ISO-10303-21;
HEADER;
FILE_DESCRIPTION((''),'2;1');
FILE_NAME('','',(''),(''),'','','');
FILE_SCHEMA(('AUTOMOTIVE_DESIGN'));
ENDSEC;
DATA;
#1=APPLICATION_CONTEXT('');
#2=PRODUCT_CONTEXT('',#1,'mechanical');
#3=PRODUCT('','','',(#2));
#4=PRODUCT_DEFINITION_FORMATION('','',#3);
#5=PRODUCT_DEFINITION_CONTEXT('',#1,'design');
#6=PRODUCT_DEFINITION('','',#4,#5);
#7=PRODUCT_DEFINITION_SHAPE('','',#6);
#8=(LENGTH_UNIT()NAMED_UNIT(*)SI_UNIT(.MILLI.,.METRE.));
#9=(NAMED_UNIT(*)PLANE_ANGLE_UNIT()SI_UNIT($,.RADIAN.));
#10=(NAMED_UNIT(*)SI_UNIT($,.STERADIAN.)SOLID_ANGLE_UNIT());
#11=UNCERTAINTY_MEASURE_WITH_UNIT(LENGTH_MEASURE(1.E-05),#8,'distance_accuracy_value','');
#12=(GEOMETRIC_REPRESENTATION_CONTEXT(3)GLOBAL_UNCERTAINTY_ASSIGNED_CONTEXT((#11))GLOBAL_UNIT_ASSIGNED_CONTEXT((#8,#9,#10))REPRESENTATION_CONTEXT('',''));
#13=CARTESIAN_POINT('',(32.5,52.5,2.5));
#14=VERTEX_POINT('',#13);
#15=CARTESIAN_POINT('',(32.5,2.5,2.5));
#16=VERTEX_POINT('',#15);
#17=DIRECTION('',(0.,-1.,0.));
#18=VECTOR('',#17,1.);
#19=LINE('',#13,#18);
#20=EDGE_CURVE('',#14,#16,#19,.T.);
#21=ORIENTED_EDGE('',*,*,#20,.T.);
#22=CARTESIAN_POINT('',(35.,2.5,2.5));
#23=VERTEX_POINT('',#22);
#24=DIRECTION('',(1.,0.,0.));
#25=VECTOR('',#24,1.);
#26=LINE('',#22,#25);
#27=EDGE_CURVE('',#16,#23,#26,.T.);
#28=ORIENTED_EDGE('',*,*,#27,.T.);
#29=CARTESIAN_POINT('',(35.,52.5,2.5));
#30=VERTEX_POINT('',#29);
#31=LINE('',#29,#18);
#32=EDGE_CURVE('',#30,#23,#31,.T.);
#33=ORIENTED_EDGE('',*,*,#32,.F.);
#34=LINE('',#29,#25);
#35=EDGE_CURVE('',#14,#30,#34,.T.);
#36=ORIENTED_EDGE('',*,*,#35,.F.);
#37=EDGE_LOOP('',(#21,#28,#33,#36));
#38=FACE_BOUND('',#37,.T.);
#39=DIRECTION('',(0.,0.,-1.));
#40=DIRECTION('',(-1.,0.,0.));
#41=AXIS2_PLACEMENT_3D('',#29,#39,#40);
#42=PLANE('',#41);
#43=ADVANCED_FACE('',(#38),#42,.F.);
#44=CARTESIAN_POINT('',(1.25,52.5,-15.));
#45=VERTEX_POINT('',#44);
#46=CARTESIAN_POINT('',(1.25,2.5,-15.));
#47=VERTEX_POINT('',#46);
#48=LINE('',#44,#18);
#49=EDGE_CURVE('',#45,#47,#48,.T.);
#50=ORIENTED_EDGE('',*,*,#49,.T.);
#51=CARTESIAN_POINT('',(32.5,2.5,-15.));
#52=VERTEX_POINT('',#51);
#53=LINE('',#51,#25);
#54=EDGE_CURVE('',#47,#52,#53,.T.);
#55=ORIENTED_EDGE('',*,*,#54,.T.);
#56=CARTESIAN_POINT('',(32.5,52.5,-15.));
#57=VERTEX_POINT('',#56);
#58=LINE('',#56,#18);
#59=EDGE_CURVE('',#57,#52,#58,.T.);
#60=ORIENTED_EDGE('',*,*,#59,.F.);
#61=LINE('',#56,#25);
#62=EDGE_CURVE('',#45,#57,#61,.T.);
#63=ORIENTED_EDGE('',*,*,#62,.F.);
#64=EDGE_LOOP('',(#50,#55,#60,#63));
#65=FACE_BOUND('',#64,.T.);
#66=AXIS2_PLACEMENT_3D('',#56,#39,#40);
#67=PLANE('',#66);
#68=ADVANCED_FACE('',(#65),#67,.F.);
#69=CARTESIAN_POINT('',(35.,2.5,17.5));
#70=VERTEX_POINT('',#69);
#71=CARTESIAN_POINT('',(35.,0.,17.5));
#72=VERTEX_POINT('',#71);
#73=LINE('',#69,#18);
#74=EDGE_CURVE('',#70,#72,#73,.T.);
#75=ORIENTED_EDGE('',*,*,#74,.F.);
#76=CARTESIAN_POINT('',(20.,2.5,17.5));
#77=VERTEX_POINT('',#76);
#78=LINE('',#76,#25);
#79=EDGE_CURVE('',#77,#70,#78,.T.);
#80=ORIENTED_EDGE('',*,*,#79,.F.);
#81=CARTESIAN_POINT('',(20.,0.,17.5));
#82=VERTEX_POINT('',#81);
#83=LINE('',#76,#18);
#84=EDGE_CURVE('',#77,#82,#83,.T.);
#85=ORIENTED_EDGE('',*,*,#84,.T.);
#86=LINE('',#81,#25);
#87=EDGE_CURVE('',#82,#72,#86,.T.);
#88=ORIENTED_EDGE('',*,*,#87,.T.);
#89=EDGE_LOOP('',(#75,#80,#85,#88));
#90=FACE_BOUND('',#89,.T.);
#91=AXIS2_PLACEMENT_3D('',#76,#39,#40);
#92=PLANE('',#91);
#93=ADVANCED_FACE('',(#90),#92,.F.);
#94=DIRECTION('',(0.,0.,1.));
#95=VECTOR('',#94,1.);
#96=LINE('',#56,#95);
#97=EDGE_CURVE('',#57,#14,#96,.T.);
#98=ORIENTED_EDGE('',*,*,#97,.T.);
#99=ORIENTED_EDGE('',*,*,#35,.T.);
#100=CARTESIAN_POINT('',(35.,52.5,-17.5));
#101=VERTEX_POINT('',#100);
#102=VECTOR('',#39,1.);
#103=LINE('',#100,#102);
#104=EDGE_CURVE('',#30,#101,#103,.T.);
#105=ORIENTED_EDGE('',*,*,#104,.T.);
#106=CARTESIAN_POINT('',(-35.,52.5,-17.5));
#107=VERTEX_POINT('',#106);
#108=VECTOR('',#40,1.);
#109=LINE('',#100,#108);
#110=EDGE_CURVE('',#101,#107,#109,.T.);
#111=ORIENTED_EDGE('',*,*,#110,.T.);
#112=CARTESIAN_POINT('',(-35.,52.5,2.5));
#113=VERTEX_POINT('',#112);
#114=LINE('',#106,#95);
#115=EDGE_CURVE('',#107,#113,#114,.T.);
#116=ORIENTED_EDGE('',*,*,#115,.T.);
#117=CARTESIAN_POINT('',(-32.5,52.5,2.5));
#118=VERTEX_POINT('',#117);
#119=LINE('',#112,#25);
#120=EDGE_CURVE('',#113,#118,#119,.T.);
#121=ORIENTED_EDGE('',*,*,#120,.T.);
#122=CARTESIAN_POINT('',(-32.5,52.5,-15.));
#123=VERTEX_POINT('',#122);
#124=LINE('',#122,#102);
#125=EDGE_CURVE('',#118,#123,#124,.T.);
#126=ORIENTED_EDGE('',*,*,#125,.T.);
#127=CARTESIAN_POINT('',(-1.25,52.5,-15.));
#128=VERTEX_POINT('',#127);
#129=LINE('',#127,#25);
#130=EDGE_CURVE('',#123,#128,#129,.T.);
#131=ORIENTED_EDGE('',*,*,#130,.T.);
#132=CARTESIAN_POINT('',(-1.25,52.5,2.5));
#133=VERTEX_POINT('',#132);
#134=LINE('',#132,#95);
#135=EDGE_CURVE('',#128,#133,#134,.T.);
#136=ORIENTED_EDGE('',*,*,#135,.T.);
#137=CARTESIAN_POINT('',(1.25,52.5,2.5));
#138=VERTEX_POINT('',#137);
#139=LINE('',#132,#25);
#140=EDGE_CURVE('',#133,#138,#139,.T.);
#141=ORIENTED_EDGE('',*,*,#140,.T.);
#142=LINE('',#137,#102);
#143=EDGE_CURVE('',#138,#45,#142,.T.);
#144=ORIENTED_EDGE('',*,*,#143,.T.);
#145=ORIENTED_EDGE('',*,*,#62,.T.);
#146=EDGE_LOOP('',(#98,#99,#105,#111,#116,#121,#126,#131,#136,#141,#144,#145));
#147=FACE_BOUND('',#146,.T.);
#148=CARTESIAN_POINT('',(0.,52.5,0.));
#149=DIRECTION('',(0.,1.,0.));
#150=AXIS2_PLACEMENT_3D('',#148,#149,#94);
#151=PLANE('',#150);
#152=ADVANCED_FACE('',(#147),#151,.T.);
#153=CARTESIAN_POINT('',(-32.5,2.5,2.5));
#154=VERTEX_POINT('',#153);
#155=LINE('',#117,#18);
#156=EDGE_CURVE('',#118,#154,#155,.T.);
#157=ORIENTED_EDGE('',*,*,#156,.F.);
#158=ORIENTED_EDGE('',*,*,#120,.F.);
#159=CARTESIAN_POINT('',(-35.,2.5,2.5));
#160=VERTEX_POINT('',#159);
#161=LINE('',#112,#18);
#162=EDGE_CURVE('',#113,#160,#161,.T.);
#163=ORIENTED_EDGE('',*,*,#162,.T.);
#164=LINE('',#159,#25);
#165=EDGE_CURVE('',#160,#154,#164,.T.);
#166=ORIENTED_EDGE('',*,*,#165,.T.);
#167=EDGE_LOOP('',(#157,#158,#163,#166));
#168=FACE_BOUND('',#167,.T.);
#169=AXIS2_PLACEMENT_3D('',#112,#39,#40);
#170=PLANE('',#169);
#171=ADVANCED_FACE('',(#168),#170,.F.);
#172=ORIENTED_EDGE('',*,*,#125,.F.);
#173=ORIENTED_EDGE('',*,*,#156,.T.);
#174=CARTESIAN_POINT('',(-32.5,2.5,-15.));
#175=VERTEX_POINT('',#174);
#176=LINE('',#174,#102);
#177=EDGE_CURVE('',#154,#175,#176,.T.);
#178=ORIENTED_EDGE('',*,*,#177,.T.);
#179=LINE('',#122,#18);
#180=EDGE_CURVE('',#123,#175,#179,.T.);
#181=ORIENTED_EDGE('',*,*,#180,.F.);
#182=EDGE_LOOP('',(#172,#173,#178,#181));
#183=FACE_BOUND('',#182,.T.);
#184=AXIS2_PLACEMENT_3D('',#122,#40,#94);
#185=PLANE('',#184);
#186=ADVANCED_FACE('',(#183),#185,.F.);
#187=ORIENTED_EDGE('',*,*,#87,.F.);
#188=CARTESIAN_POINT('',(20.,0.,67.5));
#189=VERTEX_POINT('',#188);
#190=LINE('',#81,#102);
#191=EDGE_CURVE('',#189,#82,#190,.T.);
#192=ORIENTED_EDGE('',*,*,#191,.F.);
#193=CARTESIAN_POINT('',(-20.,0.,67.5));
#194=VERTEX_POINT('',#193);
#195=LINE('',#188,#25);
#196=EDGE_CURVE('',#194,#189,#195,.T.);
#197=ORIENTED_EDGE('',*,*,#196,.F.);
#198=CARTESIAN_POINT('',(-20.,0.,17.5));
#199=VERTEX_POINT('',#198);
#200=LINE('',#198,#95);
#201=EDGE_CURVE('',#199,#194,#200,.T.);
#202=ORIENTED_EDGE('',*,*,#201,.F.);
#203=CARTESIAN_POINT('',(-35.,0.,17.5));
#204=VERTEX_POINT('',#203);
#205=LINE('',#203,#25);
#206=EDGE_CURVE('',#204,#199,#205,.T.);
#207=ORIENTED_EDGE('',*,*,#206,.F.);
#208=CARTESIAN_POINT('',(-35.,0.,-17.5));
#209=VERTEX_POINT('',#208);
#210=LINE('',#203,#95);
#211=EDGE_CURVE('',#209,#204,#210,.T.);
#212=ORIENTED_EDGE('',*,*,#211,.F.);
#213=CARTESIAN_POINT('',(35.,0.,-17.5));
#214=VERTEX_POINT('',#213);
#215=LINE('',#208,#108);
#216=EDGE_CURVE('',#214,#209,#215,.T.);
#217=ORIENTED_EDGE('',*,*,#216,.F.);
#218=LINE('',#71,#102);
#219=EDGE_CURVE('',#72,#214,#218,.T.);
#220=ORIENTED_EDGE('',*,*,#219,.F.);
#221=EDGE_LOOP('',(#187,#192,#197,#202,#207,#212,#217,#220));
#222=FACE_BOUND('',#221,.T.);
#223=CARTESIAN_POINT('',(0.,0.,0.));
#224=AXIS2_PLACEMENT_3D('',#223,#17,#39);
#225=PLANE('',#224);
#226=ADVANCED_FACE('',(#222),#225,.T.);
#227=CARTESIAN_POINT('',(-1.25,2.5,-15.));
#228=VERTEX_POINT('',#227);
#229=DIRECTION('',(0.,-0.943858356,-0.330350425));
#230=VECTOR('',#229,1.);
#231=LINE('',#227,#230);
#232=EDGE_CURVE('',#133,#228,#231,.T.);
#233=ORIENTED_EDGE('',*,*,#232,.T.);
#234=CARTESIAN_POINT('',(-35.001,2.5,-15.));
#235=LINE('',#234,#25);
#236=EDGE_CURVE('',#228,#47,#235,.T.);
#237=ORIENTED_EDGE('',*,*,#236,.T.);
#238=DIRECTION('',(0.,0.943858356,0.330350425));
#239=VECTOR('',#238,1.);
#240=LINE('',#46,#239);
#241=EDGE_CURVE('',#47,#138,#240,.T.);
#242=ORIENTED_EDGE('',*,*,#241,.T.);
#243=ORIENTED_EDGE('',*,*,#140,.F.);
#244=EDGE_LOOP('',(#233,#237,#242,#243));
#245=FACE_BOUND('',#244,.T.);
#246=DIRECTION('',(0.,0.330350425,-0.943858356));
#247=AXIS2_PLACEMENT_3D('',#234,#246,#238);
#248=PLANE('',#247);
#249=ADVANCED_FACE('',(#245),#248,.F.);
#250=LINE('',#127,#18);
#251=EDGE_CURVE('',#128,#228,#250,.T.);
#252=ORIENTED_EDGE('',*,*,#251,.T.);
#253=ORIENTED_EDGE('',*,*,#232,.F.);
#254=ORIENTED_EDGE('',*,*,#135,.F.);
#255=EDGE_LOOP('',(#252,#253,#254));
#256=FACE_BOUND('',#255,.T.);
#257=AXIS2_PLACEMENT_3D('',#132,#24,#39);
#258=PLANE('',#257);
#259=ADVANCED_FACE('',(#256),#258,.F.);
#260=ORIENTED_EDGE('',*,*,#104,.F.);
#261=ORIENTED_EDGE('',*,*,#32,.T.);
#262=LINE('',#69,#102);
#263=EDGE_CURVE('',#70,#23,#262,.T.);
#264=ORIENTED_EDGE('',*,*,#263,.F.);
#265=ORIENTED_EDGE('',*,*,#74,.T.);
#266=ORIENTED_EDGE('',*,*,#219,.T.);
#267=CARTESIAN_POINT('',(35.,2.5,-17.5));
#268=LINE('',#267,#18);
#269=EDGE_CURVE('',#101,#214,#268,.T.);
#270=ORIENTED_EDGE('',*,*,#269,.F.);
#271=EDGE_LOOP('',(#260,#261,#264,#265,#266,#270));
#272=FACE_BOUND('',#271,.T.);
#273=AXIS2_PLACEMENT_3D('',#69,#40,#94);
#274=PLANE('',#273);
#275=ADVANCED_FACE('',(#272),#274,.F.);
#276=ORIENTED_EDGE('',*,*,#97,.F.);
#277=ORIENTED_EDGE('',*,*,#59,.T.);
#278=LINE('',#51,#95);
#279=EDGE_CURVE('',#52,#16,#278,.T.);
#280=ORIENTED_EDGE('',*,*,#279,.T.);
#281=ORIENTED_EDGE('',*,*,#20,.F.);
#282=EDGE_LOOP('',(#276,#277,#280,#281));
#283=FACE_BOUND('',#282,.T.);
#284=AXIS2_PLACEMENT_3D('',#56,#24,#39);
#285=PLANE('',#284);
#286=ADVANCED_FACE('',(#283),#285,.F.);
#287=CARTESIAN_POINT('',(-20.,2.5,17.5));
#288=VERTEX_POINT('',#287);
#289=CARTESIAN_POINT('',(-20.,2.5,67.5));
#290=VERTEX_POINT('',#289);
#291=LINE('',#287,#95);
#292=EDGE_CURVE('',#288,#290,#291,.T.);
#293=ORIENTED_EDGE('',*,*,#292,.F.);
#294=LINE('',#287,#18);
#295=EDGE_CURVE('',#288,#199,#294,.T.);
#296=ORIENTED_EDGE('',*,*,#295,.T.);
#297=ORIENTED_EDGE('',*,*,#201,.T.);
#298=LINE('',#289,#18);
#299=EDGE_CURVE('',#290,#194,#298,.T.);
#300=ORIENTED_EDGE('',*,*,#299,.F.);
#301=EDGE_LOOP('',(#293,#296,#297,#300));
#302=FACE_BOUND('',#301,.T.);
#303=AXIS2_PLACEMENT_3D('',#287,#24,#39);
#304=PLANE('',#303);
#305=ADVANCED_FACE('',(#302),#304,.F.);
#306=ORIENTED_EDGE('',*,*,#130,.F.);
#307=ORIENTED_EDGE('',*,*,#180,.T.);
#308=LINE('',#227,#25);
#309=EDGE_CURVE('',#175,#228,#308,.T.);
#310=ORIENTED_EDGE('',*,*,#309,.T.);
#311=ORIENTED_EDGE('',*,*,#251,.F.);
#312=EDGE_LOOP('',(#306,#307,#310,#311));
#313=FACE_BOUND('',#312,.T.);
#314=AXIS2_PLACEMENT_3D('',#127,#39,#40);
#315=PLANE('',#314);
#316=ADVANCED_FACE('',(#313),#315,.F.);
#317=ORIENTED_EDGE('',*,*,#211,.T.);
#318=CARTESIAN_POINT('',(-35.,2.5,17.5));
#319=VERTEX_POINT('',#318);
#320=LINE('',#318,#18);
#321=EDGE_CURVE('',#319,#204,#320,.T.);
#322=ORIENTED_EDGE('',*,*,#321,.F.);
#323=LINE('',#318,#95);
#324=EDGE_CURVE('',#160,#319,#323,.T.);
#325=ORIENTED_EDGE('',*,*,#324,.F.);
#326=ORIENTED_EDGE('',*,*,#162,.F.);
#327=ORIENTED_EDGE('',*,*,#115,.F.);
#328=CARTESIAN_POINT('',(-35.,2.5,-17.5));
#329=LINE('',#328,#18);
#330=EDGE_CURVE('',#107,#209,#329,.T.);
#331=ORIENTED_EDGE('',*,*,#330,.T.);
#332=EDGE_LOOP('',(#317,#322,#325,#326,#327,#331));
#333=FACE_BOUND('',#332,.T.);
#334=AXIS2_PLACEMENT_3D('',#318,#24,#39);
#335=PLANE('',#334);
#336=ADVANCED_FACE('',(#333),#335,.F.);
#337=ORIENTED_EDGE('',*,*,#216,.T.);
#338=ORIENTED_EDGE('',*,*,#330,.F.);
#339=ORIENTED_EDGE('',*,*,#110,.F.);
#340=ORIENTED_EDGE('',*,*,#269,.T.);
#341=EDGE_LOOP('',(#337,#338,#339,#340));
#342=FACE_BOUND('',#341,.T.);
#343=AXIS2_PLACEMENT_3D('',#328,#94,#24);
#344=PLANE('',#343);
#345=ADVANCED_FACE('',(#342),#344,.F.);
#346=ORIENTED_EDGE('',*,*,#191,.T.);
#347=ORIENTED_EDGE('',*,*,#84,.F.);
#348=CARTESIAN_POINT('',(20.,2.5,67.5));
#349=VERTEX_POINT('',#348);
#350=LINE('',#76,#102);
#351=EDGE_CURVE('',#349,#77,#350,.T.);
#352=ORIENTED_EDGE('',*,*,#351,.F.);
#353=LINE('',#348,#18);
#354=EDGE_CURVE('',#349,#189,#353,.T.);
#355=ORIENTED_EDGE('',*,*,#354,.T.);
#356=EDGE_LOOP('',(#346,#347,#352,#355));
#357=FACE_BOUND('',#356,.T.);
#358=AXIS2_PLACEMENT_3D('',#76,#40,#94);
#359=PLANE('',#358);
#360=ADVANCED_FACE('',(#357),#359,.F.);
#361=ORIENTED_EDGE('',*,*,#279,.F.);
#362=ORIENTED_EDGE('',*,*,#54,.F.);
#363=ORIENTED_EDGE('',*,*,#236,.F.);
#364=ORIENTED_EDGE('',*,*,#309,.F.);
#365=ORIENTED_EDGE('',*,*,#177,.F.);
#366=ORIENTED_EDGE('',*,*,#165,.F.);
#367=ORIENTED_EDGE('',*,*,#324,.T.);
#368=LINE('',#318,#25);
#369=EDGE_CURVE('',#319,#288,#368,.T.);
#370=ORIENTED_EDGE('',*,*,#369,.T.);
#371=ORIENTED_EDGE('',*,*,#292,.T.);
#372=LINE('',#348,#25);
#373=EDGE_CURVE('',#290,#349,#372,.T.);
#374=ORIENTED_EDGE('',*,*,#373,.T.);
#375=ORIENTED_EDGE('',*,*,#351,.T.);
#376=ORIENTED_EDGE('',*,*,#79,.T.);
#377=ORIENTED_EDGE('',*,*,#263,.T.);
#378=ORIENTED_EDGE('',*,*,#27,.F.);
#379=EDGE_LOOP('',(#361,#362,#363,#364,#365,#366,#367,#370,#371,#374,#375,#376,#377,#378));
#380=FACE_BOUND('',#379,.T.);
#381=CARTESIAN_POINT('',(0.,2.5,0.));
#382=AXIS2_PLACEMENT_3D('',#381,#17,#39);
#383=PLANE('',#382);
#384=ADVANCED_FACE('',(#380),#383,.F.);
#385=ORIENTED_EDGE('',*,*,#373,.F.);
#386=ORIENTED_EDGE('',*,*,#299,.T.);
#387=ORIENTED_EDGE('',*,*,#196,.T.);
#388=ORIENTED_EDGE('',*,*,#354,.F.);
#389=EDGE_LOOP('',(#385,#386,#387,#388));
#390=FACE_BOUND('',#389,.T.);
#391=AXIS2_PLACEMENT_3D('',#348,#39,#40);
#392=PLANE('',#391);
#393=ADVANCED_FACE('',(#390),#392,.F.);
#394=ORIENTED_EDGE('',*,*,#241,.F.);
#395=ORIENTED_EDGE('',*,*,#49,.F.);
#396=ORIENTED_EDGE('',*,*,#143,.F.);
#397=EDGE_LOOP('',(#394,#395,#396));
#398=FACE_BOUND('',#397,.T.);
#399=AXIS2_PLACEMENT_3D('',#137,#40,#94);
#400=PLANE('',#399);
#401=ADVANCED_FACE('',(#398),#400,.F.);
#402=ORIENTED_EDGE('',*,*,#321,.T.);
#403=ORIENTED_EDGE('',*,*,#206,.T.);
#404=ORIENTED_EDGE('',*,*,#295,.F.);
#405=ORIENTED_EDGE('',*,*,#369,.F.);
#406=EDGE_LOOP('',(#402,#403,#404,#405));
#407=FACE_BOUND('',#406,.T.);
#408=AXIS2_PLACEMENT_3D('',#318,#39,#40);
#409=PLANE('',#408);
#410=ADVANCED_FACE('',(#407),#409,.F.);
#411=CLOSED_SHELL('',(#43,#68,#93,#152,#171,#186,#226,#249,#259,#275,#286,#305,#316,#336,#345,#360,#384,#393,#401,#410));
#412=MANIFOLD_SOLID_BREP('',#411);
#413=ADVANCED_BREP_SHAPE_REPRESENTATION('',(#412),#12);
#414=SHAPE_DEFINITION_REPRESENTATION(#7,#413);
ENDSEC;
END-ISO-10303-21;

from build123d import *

# Parameters (mm, degrees)
BOSS_EXTRUDE1_DEPTH = 2.5
BOSS_EXTRUDE2_DEPTH = 50
CUT_EXTRUDE1_REACH  = 94.879


with BuildPart() as part:
    # Sketch1 → Boss-Extrude1 (new body)
    with BuildSketch(Plane(origin=(0, 0, 0), x_dir=(1, 0, 0), z_dir=(0, 1, 0))):
        Polygon((20, -17.5), (35, -17.5), (35, 17.5), (-35, 17.5), (-35, -17.5), (-20, -17.5), (-20, -67.5), (20, -67.5), align=None)
    extrude(amount=BOSS_EXTRUDE1_DEPTH)

    # Sketch3 → Boss-Extrude2 (add)
    with BuildSketch(Plane(origin=(0, 2.5, 0), x_dir=(1, 0, 0), z_dir=(0, 1, 0))):
        Polygon((-35, 17.5), (-32.5, 17.5), (32.5, 17.5), (35, 17.5), (35, -2.5), (32.5, -2.5), (32.5, 15), (1.25, 15), (1.25, -2.5), (-1.25, -2.5), (-1.25, 15), (-32.5, 15), (-32.5, -2.5), (-35, -2.5), align=None)
    extrude(amount=BOSS_EXTRUDE2_DEPTH)

    # Sketch4 → Cut-Extrude1 (cut, up to next)
    with BuildSketch(Plane(origin=(1.25, 0, 0), x_dir=(0, 0, -1), z_dir=(1, 0, 0)), mode=Mode.PRIVATE) as cut_extrude1_sk1:
        Polygon((15, 2.5), (-2.5, 52.5), (-2.5, 2.5), align=None)
    cut_extrude1_tool1 = extrude(cut_extrude1_sk1.sketch, amount=-CUT_EXTRUDE1_REACH, mode=Mode.PRIVATE) & part.part
    add(cut_extrude1_tool1.solids().sort_by_distance((1.25, 19.166667, -3.333333))[0], mode=Mode.SUBTRACT)


solid = part.part
